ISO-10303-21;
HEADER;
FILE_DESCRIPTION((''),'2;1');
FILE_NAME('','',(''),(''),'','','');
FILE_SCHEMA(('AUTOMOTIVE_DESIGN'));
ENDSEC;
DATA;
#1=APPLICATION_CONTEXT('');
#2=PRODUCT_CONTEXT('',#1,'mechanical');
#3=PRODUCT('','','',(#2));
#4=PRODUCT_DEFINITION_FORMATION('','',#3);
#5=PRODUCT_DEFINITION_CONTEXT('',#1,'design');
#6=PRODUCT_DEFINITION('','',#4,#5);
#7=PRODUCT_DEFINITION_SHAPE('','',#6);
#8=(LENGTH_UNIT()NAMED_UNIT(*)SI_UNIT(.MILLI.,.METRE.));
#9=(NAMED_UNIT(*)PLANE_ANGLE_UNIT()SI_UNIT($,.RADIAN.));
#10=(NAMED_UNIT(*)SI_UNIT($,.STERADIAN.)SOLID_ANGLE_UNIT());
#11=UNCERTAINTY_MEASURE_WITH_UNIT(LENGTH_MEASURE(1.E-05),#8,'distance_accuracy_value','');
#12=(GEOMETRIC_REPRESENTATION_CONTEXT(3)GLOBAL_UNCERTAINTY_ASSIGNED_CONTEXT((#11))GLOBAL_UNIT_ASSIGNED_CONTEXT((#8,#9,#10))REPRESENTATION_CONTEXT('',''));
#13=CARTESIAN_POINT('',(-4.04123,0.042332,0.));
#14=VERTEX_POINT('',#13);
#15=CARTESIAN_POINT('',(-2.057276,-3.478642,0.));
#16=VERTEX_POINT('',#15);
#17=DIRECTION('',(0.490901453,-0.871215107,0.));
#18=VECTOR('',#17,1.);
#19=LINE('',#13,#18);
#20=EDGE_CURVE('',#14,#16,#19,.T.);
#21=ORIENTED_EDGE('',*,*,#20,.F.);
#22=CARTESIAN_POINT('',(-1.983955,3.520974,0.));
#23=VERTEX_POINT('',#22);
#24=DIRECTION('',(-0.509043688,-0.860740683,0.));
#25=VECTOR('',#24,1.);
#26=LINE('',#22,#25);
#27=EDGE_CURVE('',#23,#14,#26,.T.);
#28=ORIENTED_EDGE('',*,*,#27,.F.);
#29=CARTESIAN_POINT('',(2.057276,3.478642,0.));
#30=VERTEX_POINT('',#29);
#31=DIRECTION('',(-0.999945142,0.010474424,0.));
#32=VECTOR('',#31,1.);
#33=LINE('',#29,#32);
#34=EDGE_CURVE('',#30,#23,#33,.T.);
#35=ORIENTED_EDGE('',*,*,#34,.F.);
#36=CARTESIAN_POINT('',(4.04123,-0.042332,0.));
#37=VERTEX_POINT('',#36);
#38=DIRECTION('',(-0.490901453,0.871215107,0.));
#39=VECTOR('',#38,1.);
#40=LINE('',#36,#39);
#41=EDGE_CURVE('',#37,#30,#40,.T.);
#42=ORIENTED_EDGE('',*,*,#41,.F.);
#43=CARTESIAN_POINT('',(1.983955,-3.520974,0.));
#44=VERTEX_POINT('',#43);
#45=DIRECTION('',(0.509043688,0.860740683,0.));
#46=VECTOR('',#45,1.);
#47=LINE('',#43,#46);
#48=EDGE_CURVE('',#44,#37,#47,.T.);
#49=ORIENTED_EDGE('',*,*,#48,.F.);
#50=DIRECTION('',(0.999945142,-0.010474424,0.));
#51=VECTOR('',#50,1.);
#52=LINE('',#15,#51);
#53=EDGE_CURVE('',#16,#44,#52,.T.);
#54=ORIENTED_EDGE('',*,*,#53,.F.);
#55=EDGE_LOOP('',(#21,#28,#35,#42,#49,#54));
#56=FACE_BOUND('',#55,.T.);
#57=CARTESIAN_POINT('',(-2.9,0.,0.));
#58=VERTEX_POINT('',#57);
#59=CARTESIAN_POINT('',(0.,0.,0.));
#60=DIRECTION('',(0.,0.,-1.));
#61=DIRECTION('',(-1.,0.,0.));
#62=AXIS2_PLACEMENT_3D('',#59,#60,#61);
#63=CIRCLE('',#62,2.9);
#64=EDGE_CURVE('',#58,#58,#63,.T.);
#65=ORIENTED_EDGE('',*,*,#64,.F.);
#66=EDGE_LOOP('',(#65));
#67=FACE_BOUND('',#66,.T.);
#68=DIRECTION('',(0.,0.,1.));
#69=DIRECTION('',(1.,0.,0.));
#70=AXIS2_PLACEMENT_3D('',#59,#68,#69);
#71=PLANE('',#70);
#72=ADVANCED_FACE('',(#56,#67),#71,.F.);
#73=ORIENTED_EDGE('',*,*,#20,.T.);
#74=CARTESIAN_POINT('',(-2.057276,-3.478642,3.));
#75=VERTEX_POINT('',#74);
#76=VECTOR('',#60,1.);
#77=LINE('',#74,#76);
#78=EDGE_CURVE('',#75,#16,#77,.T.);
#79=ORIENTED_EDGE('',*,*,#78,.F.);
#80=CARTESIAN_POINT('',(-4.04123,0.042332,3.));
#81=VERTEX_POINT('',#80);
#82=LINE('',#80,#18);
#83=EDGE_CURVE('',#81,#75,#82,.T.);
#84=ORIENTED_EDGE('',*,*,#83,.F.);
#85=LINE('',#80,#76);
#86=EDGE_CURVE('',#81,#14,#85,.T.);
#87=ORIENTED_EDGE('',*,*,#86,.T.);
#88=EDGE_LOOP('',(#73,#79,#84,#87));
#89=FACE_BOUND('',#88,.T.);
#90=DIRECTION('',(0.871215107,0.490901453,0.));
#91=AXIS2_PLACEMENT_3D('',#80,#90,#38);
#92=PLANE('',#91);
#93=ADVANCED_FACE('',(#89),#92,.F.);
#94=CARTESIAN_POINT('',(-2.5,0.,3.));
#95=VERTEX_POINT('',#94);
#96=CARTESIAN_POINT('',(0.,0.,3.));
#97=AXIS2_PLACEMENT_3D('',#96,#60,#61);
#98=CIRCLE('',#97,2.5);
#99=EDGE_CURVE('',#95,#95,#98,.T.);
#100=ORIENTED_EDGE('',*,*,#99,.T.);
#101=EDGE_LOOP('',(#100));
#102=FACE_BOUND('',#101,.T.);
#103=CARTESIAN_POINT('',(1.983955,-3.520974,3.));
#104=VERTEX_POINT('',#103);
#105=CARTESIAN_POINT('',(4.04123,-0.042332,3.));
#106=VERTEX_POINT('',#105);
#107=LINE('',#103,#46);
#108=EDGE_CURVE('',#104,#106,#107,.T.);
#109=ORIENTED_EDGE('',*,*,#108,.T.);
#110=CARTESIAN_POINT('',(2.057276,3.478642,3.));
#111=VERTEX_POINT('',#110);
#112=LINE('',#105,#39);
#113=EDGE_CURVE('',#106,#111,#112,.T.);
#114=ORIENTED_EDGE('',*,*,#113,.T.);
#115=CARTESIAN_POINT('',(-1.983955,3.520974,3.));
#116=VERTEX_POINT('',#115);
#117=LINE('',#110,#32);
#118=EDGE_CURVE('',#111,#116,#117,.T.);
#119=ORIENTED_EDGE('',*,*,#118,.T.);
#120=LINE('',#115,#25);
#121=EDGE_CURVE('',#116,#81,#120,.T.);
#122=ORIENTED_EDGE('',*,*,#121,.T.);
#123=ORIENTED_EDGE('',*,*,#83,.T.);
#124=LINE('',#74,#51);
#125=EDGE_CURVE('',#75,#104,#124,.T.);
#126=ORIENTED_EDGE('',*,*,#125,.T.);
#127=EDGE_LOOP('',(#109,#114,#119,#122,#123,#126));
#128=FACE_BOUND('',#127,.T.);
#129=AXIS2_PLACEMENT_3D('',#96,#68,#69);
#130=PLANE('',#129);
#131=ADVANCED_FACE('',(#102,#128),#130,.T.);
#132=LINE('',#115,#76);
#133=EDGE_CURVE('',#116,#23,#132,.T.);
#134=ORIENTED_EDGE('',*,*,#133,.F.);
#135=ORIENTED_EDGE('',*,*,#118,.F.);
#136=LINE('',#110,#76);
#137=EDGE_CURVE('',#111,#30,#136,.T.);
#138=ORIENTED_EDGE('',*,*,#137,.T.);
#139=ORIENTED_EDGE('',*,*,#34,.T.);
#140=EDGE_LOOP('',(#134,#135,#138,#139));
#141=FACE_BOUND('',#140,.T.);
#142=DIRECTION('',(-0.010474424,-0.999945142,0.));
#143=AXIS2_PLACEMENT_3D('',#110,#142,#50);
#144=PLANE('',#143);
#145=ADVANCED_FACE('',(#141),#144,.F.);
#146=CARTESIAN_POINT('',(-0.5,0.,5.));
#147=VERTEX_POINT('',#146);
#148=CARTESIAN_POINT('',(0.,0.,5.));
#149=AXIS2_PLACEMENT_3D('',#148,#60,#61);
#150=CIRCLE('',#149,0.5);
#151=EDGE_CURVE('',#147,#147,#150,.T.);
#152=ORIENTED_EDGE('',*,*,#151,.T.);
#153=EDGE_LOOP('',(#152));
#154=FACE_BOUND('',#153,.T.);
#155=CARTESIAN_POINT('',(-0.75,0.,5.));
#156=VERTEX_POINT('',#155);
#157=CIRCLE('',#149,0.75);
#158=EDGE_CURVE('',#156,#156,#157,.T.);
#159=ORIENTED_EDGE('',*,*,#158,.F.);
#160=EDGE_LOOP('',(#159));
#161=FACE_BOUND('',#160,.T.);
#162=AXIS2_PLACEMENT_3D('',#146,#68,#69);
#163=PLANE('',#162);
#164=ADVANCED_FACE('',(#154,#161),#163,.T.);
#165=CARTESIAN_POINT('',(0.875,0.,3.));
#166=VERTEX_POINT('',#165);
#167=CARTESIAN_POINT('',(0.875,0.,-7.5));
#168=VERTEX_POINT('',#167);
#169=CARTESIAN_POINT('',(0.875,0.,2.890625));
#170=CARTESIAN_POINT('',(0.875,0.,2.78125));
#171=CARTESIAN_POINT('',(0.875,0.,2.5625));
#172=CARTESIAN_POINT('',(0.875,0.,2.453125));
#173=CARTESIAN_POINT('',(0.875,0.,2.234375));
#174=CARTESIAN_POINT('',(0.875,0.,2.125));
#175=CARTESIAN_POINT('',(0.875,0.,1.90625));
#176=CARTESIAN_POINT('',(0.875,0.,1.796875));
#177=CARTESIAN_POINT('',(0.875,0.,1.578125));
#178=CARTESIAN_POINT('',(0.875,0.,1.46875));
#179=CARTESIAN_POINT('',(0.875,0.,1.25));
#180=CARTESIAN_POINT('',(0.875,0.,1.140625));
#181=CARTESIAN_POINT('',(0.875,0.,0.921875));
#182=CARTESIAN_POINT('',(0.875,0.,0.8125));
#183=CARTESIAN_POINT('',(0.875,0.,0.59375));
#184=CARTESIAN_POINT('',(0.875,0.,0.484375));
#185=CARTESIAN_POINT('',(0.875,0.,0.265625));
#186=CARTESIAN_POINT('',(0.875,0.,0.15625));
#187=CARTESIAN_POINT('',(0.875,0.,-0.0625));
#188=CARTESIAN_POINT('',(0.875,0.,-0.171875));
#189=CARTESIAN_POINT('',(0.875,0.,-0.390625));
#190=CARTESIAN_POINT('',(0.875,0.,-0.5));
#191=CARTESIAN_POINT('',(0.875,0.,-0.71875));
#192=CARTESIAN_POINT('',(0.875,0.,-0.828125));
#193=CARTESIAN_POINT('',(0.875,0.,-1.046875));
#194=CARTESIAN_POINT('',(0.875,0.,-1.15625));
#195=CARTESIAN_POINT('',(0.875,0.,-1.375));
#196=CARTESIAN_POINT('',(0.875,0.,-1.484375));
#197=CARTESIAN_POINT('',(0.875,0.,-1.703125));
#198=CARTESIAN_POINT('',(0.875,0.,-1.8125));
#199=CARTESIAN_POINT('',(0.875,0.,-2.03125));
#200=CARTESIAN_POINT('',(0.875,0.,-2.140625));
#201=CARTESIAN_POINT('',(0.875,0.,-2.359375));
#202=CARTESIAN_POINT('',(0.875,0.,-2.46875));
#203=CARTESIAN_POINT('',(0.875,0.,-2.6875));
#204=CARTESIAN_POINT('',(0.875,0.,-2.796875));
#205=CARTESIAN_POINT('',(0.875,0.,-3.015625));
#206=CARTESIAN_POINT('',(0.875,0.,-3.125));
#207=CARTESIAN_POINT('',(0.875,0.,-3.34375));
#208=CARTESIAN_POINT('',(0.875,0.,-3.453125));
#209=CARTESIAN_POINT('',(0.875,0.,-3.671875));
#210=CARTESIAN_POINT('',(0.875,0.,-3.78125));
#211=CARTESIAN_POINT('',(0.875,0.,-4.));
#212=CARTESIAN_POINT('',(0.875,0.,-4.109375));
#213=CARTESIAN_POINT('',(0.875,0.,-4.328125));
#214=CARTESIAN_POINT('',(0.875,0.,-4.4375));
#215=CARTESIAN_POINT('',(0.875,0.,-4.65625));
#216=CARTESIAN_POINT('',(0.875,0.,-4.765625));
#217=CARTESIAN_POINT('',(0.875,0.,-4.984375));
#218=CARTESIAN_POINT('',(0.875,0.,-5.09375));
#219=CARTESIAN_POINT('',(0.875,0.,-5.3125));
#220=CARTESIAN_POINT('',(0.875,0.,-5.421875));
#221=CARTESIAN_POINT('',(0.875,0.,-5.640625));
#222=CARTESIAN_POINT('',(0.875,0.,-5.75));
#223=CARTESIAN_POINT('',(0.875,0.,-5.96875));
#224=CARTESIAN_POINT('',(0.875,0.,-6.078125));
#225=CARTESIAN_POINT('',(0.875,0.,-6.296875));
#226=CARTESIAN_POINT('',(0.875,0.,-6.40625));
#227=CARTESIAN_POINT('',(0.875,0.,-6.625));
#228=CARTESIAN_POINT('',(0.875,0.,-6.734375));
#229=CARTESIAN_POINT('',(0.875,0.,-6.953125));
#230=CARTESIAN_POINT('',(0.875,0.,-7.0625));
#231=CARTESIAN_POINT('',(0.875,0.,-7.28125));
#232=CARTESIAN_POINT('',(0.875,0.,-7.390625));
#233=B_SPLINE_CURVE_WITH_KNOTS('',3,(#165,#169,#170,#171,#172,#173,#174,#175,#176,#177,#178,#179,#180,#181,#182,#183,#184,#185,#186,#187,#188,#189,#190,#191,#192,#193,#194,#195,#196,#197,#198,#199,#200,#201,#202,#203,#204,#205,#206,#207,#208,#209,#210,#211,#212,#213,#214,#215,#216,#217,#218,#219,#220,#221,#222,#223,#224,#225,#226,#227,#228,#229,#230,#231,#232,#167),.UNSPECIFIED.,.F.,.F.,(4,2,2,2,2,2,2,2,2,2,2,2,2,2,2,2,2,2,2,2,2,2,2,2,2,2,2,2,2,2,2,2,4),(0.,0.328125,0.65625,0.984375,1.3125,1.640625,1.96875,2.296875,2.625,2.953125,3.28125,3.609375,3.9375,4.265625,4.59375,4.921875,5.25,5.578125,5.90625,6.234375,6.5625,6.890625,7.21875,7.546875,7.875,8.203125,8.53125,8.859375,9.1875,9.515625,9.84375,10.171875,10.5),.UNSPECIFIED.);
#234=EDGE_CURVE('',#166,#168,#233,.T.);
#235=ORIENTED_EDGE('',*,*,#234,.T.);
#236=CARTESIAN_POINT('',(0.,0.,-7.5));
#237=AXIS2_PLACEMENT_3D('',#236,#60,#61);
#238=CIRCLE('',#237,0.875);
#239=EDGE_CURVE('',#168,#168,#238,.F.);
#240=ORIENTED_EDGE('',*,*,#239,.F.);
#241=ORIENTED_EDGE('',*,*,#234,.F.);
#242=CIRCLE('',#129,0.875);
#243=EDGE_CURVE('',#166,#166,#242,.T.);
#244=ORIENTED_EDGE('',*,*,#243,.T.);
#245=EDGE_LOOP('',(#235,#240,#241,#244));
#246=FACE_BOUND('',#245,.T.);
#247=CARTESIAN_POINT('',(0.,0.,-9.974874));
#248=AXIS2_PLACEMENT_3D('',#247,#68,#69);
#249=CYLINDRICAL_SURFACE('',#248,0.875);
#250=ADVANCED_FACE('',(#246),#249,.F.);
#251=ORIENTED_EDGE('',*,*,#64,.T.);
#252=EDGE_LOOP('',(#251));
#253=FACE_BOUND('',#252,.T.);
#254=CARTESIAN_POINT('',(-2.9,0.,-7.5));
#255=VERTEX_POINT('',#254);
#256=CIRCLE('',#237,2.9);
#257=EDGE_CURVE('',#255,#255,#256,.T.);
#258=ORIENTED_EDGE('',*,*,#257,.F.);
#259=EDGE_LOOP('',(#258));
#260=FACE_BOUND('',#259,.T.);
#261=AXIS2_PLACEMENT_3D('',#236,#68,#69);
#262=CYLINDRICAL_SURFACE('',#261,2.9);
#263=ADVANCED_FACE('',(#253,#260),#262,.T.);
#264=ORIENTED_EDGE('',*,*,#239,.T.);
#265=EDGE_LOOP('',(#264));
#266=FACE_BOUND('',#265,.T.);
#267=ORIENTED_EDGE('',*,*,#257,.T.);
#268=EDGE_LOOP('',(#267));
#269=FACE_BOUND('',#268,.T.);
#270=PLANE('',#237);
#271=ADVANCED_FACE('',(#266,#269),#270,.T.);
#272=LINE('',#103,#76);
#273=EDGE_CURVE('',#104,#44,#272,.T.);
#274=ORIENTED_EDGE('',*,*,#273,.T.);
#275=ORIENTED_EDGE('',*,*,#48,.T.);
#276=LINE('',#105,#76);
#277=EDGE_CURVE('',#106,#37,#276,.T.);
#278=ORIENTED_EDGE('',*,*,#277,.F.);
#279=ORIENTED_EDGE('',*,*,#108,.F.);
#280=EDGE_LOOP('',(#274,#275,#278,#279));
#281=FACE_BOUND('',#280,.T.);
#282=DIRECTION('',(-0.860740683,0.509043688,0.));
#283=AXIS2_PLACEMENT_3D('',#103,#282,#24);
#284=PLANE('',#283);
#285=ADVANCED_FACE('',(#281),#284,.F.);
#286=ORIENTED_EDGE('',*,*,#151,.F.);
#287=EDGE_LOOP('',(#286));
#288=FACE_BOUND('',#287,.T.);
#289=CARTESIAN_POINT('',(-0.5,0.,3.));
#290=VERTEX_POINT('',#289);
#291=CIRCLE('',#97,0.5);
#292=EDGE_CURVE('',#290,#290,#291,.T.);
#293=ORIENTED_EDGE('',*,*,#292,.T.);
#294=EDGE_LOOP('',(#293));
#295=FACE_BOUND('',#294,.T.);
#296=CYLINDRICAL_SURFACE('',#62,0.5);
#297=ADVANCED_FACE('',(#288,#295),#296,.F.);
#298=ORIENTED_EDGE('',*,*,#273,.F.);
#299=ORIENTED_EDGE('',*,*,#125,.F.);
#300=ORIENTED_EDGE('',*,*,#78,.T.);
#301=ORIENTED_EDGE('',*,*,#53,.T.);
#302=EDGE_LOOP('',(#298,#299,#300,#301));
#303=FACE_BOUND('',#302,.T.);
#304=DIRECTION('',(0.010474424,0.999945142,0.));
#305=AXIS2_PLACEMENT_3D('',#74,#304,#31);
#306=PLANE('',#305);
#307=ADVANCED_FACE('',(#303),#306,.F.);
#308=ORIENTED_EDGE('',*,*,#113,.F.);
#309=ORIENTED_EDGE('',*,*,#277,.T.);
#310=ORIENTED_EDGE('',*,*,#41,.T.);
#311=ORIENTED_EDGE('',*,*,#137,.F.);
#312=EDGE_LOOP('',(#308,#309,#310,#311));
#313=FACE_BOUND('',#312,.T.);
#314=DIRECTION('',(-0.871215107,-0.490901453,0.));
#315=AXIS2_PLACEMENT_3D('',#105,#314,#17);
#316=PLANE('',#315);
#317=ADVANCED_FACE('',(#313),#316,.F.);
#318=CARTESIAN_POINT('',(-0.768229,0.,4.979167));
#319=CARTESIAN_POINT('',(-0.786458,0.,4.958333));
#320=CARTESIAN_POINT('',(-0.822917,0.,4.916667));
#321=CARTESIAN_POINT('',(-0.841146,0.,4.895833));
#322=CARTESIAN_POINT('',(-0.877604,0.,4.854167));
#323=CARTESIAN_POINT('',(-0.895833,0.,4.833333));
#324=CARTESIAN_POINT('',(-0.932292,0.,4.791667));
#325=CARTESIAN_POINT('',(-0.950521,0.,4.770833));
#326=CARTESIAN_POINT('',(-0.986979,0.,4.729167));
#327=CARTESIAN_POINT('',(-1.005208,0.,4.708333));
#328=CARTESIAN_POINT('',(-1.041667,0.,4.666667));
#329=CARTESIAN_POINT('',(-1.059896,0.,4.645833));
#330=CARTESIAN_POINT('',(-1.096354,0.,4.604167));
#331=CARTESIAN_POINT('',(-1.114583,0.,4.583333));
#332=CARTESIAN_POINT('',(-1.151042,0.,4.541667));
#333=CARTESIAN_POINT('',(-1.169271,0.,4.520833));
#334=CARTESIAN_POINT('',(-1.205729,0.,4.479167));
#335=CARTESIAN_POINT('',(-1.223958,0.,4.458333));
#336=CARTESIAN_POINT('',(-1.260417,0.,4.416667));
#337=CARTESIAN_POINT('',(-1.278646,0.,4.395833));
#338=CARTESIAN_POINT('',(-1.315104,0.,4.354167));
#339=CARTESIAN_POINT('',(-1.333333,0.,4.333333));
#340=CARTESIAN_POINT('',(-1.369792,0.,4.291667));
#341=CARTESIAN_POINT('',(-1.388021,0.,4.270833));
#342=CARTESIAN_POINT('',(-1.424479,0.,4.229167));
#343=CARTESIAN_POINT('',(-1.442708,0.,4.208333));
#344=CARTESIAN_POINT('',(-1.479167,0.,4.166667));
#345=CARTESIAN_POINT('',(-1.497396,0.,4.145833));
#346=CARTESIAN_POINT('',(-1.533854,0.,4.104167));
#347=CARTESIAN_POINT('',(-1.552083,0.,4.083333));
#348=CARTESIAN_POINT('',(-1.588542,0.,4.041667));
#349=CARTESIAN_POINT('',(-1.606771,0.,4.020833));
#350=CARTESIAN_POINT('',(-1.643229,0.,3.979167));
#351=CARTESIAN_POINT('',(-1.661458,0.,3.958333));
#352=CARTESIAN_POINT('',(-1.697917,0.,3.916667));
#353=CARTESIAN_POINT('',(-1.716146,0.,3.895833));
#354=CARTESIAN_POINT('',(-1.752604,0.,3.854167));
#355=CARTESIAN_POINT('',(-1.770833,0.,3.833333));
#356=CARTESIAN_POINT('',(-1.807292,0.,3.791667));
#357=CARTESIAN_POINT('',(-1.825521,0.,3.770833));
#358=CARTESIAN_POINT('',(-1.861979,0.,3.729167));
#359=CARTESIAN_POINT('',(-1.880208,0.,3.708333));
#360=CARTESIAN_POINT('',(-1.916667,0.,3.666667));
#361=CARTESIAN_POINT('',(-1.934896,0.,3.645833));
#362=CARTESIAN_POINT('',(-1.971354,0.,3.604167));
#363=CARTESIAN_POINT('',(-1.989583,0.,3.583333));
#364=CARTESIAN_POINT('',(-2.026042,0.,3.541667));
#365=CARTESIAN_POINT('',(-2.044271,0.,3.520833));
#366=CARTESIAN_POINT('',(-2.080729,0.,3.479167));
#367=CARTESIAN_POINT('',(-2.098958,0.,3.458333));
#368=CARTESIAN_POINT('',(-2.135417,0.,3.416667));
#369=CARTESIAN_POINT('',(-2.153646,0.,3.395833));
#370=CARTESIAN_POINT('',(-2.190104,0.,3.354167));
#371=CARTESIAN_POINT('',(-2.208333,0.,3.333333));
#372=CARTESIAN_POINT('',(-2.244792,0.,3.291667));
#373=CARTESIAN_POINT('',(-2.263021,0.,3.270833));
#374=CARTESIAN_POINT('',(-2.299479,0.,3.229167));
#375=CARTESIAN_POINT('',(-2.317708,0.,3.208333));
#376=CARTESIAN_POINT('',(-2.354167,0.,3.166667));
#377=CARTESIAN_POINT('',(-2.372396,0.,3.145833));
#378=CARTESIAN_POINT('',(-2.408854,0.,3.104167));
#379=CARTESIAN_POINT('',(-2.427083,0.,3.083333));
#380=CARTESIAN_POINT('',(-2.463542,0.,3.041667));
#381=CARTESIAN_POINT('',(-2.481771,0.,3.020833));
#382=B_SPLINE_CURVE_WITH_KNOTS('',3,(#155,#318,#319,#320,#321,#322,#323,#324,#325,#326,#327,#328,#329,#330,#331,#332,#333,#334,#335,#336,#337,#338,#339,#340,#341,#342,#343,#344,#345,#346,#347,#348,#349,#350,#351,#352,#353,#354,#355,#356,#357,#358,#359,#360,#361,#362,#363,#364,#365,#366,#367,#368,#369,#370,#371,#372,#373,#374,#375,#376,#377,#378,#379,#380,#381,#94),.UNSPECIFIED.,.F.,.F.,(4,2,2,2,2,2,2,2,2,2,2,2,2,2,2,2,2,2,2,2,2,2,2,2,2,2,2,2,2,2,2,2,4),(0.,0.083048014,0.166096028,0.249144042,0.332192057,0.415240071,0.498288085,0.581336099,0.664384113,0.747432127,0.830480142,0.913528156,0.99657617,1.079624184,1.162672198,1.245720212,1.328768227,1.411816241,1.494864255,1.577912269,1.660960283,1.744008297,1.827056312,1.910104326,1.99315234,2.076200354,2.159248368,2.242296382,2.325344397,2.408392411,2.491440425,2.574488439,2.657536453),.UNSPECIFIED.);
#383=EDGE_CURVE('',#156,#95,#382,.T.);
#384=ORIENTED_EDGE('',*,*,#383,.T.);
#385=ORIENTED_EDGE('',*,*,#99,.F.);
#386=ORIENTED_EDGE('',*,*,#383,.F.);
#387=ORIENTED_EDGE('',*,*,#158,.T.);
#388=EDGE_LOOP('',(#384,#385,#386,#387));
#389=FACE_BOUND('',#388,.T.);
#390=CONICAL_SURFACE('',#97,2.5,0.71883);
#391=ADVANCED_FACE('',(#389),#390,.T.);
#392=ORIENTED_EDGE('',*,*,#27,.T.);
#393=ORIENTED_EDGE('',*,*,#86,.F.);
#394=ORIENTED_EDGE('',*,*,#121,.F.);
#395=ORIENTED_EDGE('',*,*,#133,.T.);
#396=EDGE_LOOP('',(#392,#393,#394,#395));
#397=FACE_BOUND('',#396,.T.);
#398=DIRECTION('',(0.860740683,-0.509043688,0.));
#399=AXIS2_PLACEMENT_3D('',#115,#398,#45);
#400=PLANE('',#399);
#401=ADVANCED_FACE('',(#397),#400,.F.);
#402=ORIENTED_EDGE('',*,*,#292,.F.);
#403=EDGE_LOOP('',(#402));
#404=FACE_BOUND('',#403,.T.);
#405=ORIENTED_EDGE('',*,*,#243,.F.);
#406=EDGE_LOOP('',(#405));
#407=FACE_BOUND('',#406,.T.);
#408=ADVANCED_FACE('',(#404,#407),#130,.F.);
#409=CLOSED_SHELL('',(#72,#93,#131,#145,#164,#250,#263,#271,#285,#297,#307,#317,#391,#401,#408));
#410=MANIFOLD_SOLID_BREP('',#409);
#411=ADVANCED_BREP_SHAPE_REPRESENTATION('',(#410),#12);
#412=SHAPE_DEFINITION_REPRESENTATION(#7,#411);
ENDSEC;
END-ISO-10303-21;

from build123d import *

# Parameters (mm, degrees)
SALIENTE_EXTRUIR1_DEPTH = 3
CROQUIS5_R              = 2.9
SALIENTE_EXTRUIR2_DEPTH = 7.5
CROQUIS4_R              = 0.875
CORTAR_EXTRUIR1_DEPTH   = 10.5


with BuildPart() as part:
    # Croquis1 → Saliente-Extruir1 (new body)
    with BuildSketch(Plane.XY):
        Polygon((-2.057275574, -3.478642055), (1.983954604, -3.520973937), (4.041230177, -0.042331882), (2.057275574, 3.478642055), (-1.983954604, 3.520973937), (-4.041230177, 0.042331882), align=None)
    extrude(amount=SALIENTE_EXTRUIR1_DEPTH)

    # Croquis3 → Revolución1 (revolve)
    with BuildSketch(Plane(origin=(0, 0, 0), x_dir=(1, 0, 0), z_dir=(0, 1, 0))):
        Polygon((-0.5, -5), (-0.75, -5), (-2.5, -3), (-0.5, -3), align=None)
    revolve(axis=Axis((0, 0, 0), (0, 0, 1)))

    # Croquis5 → Saliente-Extruir2 (add)
    with BuildSketch(Plane(origin=(0, 0, 0), x_dir=(-1, 0, 0), z_dir=(0, 0, -1))):
        Circle(CROQUIS5_R)
    extrude(amount=SALIENTE_EXTRUIR2_DEPTH)

    # Croquis4 → Cortar-Extruir1 (cut)
    with BuildSketch(Plane.XY.offset(3)):
        Circle(CROQUIS4_R)
    extrude(amount=-CORTAR_EXTRUIR1_DEPTH, mode=Mode.SUBTRACT)


solid = part.part
